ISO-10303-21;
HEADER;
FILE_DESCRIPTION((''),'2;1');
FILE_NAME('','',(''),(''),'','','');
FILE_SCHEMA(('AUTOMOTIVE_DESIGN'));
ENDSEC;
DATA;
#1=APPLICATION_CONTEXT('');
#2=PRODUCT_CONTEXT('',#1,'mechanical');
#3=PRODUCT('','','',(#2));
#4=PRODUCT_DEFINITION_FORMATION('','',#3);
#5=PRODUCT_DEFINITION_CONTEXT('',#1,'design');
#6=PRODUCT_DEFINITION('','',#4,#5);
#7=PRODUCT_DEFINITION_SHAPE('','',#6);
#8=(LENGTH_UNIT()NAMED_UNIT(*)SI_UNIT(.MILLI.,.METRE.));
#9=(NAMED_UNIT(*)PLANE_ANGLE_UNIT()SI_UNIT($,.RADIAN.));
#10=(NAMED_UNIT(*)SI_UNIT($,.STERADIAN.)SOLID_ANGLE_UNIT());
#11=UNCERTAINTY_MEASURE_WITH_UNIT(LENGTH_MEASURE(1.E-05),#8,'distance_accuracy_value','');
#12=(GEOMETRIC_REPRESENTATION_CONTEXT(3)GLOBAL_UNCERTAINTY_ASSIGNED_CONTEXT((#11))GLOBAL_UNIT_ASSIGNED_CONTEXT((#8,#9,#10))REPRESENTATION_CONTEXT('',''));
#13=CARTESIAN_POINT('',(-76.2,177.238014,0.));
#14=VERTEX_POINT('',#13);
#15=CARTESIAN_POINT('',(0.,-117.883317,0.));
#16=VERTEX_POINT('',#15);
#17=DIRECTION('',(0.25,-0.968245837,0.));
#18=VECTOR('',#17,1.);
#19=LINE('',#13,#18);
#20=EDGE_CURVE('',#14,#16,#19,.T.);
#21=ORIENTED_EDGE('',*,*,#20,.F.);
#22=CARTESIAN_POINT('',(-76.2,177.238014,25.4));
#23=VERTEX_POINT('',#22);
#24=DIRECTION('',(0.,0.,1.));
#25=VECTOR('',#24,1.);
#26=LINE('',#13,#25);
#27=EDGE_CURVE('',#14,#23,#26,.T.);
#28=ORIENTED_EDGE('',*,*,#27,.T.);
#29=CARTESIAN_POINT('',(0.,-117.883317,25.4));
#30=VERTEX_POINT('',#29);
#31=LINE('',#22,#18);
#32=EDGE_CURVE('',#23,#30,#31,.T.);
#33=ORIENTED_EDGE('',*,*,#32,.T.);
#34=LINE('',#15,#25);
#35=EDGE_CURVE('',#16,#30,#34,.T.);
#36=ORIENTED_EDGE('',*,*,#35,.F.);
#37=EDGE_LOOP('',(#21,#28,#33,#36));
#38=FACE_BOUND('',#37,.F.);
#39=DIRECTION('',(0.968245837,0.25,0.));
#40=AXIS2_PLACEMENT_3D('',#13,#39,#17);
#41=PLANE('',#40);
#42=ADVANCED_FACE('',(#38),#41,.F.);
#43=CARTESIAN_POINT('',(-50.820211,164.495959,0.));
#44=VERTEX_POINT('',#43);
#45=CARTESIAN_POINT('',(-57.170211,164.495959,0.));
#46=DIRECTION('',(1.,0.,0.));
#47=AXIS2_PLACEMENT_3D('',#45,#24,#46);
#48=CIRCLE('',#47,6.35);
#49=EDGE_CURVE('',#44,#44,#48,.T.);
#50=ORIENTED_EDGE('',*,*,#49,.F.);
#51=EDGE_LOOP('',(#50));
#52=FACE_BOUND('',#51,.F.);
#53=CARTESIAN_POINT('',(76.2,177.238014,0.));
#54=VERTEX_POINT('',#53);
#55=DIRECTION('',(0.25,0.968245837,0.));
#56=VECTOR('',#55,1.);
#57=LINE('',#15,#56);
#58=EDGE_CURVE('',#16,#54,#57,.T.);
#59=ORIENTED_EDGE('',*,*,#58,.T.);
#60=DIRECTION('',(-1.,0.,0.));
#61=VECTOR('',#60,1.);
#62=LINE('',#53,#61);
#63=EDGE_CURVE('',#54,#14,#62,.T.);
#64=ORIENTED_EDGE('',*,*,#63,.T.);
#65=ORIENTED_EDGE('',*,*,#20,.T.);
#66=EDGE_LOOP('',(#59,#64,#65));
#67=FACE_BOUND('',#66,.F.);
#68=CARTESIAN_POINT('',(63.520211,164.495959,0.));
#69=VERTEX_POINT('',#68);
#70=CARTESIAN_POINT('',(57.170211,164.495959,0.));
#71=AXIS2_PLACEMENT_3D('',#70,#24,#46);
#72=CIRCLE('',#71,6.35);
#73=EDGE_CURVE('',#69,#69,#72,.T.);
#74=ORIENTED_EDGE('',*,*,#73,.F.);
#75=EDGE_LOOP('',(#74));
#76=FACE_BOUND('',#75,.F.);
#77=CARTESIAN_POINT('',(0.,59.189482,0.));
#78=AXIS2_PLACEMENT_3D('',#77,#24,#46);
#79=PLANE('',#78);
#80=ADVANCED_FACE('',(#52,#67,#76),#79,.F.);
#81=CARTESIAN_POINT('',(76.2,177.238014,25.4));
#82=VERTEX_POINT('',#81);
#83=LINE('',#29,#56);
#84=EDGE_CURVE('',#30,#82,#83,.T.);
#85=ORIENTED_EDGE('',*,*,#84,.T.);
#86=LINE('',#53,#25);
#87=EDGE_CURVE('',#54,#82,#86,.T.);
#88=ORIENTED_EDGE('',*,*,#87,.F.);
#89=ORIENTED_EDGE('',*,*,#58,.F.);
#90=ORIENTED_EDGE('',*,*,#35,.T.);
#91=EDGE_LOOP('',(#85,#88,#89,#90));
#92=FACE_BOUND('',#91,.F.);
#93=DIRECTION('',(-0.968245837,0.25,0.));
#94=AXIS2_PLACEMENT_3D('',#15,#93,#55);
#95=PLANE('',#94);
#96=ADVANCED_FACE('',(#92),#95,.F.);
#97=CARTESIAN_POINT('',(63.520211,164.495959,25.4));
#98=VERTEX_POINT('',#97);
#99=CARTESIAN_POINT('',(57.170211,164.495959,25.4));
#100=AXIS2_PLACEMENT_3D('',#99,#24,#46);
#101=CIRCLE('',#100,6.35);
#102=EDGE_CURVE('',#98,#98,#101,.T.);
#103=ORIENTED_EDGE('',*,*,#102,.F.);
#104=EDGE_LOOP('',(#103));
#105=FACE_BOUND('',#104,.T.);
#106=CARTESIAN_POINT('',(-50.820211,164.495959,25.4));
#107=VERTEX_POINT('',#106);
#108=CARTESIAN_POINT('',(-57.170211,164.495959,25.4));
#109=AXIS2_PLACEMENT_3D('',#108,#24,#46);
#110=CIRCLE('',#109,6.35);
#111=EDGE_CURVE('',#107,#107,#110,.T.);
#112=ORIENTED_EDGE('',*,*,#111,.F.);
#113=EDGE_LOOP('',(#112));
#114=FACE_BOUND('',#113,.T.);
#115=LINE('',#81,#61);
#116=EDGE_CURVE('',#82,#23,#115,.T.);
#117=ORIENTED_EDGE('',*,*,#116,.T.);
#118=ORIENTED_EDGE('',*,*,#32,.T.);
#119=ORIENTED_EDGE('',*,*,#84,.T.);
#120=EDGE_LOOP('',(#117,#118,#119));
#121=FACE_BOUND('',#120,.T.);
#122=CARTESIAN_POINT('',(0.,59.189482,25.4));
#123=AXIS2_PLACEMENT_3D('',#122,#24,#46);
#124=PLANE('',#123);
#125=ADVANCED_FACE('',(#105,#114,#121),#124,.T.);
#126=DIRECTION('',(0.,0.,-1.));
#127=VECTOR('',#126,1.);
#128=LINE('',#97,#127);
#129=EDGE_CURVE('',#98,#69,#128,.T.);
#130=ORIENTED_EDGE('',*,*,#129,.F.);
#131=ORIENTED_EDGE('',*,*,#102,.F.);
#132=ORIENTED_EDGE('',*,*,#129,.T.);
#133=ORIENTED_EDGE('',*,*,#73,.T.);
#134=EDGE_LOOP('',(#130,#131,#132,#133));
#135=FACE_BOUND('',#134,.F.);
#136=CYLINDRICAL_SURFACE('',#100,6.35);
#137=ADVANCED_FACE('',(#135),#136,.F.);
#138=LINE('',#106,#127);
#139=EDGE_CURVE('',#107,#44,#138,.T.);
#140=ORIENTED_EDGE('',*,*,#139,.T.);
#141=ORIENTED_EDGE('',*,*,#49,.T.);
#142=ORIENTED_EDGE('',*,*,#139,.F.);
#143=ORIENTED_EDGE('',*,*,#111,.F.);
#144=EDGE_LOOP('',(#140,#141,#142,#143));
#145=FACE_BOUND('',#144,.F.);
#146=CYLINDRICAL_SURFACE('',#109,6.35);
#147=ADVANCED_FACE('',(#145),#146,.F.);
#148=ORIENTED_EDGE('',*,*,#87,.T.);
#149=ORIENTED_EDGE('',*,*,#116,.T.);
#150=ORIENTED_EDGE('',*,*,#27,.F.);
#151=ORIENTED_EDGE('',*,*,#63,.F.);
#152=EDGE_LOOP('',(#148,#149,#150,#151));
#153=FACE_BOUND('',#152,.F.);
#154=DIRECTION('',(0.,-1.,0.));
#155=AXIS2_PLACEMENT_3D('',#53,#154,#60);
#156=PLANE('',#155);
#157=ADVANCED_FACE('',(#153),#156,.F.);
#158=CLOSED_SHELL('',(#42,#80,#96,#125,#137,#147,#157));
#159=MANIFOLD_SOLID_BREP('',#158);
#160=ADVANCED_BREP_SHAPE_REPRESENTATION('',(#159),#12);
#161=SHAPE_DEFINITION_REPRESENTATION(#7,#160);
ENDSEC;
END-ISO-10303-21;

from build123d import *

# Parameters (mm, degrees)
F1_DEPTH = 25.4
F2_R     = 6.35
F3_DEPTH = 25.4


with BuildPart() as f1:
    # F0 (on Top) → F1 (new body)
    with BuildSketch(Plane.XY):
        Polygon((76.2, 177.238014), (-76.2, 177.238014), (0, -117.883317), align=None)
    extrude(amount=F1_DEPTH)

    # F2 (on face) → F3 (cut)
    with BuildSketch(Plane.XY.offset(25.4)):
        with Locations((-57.170211, 164.495959)):
            Circle(F2_R)
        with Locations((57.170211, 164.495959)):
            Circle(F2_R)
    extrude(amount=-F3_DEPTH, mode=Mode.SUBTRACT)


solid = f1.part
